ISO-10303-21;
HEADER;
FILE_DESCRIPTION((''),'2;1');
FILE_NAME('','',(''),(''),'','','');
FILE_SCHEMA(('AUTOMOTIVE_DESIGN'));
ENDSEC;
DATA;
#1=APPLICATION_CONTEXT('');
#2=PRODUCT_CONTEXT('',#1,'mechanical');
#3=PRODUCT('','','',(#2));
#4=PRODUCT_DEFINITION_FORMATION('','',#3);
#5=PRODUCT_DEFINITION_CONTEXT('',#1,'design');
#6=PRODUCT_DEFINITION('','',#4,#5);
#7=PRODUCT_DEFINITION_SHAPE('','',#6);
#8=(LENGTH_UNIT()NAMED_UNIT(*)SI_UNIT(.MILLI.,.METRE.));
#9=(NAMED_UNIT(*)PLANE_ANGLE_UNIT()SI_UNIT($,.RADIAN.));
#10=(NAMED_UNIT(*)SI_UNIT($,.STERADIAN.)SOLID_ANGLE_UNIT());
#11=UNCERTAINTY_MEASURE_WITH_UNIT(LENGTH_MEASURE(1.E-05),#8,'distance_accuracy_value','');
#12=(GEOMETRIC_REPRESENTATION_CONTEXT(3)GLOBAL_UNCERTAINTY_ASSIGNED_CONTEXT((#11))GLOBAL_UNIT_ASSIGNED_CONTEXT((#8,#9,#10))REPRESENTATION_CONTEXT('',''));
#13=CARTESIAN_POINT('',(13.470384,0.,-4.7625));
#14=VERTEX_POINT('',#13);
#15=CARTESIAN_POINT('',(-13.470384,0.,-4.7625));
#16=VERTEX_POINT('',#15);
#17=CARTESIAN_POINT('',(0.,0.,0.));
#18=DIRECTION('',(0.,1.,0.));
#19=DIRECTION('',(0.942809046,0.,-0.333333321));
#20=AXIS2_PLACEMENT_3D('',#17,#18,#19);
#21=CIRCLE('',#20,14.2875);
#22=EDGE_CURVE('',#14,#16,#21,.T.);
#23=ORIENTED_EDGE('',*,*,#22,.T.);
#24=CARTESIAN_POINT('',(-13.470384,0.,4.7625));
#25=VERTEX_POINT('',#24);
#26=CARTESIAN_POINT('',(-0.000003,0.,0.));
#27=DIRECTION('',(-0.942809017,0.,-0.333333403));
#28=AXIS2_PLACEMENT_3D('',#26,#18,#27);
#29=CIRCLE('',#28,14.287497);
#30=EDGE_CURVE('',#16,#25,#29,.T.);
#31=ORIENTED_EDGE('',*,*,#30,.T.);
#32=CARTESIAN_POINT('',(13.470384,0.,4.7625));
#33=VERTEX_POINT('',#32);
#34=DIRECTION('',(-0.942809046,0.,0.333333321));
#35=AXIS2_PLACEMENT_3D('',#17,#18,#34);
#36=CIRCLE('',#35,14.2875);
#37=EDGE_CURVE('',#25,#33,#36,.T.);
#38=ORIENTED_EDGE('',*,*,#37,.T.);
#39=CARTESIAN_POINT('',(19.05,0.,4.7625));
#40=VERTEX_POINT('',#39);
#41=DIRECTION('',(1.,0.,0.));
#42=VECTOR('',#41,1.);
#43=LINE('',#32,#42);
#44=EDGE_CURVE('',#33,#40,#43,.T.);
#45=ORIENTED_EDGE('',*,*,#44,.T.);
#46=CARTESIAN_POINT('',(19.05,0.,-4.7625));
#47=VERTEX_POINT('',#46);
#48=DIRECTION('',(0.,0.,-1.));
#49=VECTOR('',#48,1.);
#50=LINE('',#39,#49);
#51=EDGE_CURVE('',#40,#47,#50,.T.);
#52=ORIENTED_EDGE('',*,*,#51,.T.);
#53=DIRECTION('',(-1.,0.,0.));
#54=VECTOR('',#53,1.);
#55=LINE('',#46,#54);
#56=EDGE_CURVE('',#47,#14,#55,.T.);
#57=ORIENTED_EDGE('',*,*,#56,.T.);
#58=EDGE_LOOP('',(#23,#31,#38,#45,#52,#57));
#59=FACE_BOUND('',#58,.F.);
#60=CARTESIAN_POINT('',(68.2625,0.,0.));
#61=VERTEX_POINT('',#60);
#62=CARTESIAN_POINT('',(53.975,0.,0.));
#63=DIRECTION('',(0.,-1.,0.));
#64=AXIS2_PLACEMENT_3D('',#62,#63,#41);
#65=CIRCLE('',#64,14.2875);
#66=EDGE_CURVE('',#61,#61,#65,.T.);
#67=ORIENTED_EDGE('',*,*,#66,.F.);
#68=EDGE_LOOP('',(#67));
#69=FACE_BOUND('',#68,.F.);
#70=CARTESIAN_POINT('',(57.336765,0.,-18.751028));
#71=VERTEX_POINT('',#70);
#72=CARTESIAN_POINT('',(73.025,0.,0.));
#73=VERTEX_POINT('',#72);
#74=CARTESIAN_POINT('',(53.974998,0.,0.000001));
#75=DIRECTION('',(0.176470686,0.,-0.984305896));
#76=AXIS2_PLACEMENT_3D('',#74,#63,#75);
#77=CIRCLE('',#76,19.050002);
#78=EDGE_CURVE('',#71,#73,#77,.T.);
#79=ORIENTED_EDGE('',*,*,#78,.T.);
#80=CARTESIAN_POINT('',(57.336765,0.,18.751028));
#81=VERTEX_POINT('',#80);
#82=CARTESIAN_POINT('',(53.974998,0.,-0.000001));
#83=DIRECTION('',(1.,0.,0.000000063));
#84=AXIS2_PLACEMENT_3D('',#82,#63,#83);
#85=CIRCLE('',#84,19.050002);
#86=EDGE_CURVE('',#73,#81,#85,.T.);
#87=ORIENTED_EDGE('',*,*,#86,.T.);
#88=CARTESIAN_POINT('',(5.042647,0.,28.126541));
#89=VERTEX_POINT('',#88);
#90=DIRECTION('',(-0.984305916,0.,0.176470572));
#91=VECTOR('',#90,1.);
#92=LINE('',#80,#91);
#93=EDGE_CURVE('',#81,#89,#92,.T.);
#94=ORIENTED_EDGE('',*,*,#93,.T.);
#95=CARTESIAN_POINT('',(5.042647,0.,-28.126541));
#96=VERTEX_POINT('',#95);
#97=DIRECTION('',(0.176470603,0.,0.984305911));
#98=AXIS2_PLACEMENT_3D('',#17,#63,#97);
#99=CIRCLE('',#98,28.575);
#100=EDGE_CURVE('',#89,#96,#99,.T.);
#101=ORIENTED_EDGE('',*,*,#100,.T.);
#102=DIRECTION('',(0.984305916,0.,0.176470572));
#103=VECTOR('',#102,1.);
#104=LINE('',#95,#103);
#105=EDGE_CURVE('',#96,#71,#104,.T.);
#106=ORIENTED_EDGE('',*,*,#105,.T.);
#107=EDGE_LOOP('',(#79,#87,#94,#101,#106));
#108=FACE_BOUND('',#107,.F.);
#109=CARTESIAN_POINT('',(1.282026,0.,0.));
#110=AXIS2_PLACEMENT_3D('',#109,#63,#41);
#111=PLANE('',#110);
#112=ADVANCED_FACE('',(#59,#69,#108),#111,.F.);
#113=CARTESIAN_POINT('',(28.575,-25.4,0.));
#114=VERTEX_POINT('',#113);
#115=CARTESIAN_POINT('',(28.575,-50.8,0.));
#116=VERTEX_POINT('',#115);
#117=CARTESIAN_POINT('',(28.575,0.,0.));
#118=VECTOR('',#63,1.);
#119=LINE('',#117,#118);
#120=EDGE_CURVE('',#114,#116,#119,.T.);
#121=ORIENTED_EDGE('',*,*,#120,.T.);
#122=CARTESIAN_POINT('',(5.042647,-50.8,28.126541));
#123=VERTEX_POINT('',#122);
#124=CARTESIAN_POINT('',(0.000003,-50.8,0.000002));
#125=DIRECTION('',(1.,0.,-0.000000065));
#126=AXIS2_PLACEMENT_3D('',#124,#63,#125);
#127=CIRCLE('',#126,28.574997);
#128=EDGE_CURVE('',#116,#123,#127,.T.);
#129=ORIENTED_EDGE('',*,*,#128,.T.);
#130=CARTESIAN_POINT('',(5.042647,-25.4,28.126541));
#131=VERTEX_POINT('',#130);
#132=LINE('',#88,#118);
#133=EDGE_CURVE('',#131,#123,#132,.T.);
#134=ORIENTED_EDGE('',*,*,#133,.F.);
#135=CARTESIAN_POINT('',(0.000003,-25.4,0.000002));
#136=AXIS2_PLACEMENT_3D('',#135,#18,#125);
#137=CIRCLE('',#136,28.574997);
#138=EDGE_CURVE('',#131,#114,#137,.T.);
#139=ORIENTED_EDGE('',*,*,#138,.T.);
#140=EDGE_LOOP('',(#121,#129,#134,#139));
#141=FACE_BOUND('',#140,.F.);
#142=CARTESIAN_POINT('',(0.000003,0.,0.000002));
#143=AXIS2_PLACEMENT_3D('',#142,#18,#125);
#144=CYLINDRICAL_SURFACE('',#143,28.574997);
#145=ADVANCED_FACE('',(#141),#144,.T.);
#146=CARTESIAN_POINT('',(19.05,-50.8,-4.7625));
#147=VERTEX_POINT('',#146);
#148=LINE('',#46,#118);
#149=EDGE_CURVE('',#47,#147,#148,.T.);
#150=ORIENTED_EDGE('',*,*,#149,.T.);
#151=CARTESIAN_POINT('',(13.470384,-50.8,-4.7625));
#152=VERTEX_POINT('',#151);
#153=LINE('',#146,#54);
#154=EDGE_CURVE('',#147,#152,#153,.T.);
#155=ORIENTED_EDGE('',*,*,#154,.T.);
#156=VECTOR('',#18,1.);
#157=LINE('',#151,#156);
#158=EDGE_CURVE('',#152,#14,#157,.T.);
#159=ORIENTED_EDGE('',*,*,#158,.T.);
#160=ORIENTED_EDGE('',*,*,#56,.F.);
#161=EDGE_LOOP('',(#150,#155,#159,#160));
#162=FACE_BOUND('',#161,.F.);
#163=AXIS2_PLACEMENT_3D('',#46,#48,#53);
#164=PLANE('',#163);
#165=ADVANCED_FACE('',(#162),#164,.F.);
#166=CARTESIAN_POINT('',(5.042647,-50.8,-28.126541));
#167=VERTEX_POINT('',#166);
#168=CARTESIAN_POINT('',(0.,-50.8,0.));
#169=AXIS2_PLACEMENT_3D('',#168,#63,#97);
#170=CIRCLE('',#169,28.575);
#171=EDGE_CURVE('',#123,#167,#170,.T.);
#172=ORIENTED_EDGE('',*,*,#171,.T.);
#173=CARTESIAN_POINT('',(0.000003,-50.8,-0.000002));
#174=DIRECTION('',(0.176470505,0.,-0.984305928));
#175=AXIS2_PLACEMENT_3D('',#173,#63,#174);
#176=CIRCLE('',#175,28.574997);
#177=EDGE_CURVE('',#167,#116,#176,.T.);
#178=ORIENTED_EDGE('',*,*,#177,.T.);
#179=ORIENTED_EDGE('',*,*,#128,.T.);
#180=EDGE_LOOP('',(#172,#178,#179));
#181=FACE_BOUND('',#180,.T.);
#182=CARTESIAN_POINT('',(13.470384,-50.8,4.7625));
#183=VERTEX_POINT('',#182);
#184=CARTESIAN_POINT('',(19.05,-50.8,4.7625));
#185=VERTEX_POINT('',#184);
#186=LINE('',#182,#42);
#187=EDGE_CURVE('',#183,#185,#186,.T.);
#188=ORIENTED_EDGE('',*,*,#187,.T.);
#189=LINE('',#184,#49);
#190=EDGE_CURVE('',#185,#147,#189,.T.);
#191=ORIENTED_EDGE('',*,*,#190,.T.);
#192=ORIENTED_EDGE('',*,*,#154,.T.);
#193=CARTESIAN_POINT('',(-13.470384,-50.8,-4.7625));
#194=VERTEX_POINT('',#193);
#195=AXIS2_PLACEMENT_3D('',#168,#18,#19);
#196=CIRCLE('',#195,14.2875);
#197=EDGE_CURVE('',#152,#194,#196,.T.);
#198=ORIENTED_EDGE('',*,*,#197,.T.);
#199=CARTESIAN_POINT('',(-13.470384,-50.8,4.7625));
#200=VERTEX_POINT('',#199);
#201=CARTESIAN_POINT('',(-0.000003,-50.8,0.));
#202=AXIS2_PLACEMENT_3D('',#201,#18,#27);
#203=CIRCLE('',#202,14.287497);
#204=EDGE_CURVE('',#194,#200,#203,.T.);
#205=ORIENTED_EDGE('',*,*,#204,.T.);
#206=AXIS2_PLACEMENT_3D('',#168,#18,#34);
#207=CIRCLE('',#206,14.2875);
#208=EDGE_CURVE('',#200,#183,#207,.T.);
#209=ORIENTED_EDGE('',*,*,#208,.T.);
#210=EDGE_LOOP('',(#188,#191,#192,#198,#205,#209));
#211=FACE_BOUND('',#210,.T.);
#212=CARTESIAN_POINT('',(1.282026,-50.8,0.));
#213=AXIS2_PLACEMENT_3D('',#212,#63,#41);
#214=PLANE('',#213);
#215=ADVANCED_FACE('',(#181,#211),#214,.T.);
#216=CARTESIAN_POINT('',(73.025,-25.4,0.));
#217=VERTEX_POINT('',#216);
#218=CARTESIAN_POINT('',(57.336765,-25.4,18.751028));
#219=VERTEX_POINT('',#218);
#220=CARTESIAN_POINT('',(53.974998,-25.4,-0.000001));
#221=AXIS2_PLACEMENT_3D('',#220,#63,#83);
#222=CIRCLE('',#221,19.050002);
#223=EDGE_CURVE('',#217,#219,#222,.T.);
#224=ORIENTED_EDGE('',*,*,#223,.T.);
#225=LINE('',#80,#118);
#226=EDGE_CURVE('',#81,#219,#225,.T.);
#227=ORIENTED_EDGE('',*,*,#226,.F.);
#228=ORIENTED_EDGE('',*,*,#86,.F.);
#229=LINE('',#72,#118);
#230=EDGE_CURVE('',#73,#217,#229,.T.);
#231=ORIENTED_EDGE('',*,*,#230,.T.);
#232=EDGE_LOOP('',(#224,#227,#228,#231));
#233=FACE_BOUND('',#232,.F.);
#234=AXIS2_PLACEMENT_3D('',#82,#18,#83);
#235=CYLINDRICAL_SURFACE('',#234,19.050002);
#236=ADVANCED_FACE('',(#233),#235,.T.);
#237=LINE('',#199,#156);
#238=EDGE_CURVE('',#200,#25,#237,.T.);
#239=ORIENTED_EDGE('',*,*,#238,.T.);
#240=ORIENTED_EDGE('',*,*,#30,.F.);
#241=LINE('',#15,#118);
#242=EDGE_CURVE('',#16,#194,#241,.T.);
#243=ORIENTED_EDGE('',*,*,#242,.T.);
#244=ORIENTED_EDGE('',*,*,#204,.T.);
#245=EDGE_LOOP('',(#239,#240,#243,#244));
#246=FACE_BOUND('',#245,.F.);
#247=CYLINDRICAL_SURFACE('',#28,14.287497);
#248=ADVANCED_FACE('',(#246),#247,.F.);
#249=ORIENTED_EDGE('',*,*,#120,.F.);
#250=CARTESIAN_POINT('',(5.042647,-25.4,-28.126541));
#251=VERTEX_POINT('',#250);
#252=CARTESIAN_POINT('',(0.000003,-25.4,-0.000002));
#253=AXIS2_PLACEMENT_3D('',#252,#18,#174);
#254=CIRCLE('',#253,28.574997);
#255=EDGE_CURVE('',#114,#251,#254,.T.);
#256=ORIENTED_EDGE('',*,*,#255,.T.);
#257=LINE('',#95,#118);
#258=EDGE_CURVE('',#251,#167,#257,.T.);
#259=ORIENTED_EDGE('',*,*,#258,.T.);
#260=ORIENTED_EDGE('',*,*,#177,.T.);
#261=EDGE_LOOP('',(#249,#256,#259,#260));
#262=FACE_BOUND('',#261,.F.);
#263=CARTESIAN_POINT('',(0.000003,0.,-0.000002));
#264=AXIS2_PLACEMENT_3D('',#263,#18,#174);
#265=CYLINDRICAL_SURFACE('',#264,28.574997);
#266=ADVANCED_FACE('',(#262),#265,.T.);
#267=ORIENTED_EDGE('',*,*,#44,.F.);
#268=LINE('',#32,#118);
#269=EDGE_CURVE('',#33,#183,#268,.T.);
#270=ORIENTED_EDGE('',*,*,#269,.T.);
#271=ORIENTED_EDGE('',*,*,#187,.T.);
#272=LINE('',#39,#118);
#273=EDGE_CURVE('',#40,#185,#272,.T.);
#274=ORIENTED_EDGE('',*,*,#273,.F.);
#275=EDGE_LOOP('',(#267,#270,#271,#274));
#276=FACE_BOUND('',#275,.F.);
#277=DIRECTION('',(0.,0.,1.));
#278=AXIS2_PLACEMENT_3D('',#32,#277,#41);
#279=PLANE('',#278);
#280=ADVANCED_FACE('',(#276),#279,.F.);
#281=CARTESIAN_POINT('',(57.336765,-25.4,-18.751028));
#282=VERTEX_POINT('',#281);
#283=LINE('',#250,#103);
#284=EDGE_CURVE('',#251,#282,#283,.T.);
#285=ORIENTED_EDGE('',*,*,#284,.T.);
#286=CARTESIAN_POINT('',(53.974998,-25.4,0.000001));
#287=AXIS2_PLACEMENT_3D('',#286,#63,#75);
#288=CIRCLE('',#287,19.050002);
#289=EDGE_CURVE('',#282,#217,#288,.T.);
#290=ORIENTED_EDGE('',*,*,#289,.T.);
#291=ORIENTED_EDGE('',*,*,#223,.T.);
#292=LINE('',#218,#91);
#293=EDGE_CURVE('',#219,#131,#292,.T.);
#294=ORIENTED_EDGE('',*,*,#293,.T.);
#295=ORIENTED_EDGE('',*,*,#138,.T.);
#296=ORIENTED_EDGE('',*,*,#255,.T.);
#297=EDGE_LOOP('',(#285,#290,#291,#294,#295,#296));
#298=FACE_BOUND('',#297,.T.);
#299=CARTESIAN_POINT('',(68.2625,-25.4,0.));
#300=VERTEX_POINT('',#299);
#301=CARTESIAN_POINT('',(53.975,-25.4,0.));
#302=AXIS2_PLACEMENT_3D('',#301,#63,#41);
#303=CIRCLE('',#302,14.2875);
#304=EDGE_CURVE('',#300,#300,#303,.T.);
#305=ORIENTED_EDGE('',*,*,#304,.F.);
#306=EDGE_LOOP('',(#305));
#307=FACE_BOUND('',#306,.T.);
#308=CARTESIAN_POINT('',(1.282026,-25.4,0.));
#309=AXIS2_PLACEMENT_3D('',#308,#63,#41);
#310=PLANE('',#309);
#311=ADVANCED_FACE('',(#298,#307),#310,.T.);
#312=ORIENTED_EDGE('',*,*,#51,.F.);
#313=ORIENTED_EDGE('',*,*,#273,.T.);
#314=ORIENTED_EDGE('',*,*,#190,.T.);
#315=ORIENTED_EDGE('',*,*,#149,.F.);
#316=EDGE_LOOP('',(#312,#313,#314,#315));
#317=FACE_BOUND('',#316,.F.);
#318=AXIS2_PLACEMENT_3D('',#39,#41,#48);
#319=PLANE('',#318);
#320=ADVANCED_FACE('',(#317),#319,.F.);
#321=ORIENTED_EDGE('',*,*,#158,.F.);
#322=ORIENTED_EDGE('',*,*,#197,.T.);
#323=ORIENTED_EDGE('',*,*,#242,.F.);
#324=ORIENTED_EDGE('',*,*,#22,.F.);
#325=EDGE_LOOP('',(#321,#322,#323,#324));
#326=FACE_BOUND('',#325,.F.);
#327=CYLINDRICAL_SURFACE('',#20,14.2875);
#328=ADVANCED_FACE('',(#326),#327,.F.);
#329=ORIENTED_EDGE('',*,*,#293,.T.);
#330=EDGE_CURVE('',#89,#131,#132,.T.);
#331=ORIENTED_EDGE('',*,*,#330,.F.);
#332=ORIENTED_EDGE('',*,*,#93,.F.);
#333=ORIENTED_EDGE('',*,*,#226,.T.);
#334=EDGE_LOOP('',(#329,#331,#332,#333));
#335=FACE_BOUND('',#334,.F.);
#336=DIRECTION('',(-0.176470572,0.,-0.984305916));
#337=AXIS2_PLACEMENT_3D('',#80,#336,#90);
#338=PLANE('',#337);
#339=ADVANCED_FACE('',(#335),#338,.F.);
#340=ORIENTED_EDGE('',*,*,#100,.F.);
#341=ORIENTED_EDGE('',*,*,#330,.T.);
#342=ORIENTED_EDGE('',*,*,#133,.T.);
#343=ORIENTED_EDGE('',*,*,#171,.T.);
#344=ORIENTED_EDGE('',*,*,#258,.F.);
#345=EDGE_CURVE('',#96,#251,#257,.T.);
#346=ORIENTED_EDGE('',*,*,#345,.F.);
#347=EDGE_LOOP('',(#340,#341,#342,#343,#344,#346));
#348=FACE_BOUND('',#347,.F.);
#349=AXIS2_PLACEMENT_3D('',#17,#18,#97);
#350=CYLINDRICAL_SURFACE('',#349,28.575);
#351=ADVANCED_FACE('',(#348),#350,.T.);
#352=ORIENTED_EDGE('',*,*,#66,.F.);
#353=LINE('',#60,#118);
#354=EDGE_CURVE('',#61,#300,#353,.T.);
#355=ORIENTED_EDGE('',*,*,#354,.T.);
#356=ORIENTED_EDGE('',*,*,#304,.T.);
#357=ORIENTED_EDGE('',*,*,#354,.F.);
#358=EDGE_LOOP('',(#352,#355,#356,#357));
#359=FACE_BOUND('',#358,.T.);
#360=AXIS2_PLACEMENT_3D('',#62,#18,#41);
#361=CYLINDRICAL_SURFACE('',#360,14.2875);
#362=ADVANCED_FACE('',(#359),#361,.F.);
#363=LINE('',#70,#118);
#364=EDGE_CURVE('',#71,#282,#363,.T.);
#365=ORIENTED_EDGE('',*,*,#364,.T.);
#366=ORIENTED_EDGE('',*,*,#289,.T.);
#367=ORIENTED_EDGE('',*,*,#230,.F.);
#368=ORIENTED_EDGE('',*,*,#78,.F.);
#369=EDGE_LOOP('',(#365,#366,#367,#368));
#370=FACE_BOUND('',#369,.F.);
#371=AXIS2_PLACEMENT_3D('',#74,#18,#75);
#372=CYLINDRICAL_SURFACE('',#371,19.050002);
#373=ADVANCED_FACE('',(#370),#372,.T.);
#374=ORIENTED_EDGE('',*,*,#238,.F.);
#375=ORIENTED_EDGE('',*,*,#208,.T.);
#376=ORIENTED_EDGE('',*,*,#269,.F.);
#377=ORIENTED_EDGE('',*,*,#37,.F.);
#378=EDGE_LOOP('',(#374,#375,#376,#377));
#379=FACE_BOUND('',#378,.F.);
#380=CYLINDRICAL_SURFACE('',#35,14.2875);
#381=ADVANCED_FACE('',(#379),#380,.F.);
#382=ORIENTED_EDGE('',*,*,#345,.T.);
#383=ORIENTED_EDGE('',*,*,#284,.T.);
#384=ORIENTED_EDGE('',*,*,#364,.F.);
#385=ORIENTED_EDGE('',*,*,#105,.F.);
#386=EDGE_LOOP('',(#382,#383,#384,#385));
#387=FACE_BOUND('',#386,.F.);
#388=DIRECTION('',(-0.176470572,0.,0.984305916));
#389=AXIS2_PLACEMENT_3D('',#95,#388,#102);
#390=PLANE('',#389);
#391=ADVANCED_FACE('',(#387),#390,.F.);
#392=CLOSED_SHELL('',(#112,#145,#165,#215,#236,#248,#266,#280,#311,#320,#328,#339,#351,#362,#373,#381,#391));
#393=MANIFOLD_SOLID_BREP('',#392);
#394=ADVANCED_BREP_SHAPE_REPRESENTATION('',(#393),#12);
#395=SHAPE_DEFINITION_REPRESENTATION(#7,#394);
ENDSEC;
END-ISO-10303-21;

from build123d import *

# Parameters (mm, degrees)
F0_R     = 14.2875
F1_DEPTH = 25.4
F2_DEPTH = 50.8


with BuildPart() as f1:
    # F0 (on Front) → F1 (new body)
    with BuildSketch(Plane.XZ):
        with BuildLine():
            ThreePointArc((5.042647, -28.126541), (21.916025, -18.336262), (28.575, 0))
            ThreePointArc((28.575, 0), (21.916025, 18.336262), (5.042647, 28.126541))
            ThreePointArc((5.042647, 28.126541), (-28.575, 0), (5.042647, -28.126541))
        make_face()
        with BuildLine():
            ThreePointArc((-13.470384, 4.7625), (0, 14.2875), (13.470384, 4.7625))
            Line((13.470384, 4.7625), (19.05, 4.7625))
            Line((19.05, 4.7625), (19.05, -4.7625))
            Line((19.05, -4.7625), (13.470384, -4.7625))
            ThreePointArc((13.470384, -4.7625), (0, -14.2875), (-13.470384, -4.7625))
            Line((-13.470384, -4.7625), (-19.05, -4.7625))
            Line((-19.05, -4.7625), (-19.05, 4.7625))
            Line((-19.05, 4.7625), (-13.470384, 4.7625))
        make_face(mode=Mode.SUBTRACT)
        with BuildLine():
            ThreePointArc((5.042647, 28.126541), (21.916025, 18.336262), (28.575, 0))
            ThreePointArc((28.575, 0), (21.916025, -18.336262), (5.042647, -28.126541))
            Line((5.042647, -28.126541), (57.336765, -18.751028))
            ThreePointArc((57.336765, -18.751028), (34.925, 0), (57.336765, 18.751028))
            Line((57.336765, 18.751028), (5.042647, 28.126541))
        make_face()
        with BuildLine():
            ThreePointArc((73.025, 0), (68.585683, 12.224174), (57.336765, 18.751028))
            ThreePointArc((57.336765, 18.751028), (34.925, 0), (57.336765, -18.751028))
            ThreePointArc((57.336765, -18.751028), (68.585683, -12.224174), (73.025, 0))
        make_face()
        with Locations((53.975, 0)):
            Circle(F0_R, mode=Mode.SUBTRACT)
    extrude(amount=F1_DEPTH)

    # F0 (on Front) → F2 (join)
    with BuildSketch(Plane.XZ):
        with BuildLine():
            ThreePointArc((5.042647, -28.126541), (21.916025, -18.336262), (28.575, 0))
            ThreePointArc((28.575, 0), (21.916025, 18.336262), (5.042647, 28.126541))
            ThreePointArc((5.042647, 28.126541), (-28.575, 0), (5.042647, -28.126541))
        make_face()
        with BuildLine():
            ThreePointArc((-13.470384, 4.7625), (0, 14.2875), (13.470384, 4.7625))
            Line((13.470384, 4.7625), (19.05, 4.7625))
            Line((19.05, 4.7625), (19.05, -4.7625))
            Line((19.05, -4.7625), (13.470384, -4.7625))
            ThreePointArc((13.470384, -4.7625), (0, -14.2875), (-13.470384, -4.7625))
            Line((-13.470384, -4.7625), (-19.05, -4.7625))
            Line((-19.05, -4.7625), (-19.05, 4.7625))
            Line((-19.05, 4.7625), (-13.470384, 4.7625))
        make_face(mode=Mode.SUBTRACT)
        with BuildLine():
            ThreePointArc((-13.470384, -4.7625), (-14.2875, 0), (-13.470384, 4.7625))
            Line((-13.470384, 4.7625), (-19.05, 4.7625))
            Line((-19.05, 4.7625), (-19.05, -4.7625))
            Line((-19.05, -4.7625), (-13.470384, -4.7625))
        make_face()
    extrude(amount=F2_DEPTH)


solid = f1.part
